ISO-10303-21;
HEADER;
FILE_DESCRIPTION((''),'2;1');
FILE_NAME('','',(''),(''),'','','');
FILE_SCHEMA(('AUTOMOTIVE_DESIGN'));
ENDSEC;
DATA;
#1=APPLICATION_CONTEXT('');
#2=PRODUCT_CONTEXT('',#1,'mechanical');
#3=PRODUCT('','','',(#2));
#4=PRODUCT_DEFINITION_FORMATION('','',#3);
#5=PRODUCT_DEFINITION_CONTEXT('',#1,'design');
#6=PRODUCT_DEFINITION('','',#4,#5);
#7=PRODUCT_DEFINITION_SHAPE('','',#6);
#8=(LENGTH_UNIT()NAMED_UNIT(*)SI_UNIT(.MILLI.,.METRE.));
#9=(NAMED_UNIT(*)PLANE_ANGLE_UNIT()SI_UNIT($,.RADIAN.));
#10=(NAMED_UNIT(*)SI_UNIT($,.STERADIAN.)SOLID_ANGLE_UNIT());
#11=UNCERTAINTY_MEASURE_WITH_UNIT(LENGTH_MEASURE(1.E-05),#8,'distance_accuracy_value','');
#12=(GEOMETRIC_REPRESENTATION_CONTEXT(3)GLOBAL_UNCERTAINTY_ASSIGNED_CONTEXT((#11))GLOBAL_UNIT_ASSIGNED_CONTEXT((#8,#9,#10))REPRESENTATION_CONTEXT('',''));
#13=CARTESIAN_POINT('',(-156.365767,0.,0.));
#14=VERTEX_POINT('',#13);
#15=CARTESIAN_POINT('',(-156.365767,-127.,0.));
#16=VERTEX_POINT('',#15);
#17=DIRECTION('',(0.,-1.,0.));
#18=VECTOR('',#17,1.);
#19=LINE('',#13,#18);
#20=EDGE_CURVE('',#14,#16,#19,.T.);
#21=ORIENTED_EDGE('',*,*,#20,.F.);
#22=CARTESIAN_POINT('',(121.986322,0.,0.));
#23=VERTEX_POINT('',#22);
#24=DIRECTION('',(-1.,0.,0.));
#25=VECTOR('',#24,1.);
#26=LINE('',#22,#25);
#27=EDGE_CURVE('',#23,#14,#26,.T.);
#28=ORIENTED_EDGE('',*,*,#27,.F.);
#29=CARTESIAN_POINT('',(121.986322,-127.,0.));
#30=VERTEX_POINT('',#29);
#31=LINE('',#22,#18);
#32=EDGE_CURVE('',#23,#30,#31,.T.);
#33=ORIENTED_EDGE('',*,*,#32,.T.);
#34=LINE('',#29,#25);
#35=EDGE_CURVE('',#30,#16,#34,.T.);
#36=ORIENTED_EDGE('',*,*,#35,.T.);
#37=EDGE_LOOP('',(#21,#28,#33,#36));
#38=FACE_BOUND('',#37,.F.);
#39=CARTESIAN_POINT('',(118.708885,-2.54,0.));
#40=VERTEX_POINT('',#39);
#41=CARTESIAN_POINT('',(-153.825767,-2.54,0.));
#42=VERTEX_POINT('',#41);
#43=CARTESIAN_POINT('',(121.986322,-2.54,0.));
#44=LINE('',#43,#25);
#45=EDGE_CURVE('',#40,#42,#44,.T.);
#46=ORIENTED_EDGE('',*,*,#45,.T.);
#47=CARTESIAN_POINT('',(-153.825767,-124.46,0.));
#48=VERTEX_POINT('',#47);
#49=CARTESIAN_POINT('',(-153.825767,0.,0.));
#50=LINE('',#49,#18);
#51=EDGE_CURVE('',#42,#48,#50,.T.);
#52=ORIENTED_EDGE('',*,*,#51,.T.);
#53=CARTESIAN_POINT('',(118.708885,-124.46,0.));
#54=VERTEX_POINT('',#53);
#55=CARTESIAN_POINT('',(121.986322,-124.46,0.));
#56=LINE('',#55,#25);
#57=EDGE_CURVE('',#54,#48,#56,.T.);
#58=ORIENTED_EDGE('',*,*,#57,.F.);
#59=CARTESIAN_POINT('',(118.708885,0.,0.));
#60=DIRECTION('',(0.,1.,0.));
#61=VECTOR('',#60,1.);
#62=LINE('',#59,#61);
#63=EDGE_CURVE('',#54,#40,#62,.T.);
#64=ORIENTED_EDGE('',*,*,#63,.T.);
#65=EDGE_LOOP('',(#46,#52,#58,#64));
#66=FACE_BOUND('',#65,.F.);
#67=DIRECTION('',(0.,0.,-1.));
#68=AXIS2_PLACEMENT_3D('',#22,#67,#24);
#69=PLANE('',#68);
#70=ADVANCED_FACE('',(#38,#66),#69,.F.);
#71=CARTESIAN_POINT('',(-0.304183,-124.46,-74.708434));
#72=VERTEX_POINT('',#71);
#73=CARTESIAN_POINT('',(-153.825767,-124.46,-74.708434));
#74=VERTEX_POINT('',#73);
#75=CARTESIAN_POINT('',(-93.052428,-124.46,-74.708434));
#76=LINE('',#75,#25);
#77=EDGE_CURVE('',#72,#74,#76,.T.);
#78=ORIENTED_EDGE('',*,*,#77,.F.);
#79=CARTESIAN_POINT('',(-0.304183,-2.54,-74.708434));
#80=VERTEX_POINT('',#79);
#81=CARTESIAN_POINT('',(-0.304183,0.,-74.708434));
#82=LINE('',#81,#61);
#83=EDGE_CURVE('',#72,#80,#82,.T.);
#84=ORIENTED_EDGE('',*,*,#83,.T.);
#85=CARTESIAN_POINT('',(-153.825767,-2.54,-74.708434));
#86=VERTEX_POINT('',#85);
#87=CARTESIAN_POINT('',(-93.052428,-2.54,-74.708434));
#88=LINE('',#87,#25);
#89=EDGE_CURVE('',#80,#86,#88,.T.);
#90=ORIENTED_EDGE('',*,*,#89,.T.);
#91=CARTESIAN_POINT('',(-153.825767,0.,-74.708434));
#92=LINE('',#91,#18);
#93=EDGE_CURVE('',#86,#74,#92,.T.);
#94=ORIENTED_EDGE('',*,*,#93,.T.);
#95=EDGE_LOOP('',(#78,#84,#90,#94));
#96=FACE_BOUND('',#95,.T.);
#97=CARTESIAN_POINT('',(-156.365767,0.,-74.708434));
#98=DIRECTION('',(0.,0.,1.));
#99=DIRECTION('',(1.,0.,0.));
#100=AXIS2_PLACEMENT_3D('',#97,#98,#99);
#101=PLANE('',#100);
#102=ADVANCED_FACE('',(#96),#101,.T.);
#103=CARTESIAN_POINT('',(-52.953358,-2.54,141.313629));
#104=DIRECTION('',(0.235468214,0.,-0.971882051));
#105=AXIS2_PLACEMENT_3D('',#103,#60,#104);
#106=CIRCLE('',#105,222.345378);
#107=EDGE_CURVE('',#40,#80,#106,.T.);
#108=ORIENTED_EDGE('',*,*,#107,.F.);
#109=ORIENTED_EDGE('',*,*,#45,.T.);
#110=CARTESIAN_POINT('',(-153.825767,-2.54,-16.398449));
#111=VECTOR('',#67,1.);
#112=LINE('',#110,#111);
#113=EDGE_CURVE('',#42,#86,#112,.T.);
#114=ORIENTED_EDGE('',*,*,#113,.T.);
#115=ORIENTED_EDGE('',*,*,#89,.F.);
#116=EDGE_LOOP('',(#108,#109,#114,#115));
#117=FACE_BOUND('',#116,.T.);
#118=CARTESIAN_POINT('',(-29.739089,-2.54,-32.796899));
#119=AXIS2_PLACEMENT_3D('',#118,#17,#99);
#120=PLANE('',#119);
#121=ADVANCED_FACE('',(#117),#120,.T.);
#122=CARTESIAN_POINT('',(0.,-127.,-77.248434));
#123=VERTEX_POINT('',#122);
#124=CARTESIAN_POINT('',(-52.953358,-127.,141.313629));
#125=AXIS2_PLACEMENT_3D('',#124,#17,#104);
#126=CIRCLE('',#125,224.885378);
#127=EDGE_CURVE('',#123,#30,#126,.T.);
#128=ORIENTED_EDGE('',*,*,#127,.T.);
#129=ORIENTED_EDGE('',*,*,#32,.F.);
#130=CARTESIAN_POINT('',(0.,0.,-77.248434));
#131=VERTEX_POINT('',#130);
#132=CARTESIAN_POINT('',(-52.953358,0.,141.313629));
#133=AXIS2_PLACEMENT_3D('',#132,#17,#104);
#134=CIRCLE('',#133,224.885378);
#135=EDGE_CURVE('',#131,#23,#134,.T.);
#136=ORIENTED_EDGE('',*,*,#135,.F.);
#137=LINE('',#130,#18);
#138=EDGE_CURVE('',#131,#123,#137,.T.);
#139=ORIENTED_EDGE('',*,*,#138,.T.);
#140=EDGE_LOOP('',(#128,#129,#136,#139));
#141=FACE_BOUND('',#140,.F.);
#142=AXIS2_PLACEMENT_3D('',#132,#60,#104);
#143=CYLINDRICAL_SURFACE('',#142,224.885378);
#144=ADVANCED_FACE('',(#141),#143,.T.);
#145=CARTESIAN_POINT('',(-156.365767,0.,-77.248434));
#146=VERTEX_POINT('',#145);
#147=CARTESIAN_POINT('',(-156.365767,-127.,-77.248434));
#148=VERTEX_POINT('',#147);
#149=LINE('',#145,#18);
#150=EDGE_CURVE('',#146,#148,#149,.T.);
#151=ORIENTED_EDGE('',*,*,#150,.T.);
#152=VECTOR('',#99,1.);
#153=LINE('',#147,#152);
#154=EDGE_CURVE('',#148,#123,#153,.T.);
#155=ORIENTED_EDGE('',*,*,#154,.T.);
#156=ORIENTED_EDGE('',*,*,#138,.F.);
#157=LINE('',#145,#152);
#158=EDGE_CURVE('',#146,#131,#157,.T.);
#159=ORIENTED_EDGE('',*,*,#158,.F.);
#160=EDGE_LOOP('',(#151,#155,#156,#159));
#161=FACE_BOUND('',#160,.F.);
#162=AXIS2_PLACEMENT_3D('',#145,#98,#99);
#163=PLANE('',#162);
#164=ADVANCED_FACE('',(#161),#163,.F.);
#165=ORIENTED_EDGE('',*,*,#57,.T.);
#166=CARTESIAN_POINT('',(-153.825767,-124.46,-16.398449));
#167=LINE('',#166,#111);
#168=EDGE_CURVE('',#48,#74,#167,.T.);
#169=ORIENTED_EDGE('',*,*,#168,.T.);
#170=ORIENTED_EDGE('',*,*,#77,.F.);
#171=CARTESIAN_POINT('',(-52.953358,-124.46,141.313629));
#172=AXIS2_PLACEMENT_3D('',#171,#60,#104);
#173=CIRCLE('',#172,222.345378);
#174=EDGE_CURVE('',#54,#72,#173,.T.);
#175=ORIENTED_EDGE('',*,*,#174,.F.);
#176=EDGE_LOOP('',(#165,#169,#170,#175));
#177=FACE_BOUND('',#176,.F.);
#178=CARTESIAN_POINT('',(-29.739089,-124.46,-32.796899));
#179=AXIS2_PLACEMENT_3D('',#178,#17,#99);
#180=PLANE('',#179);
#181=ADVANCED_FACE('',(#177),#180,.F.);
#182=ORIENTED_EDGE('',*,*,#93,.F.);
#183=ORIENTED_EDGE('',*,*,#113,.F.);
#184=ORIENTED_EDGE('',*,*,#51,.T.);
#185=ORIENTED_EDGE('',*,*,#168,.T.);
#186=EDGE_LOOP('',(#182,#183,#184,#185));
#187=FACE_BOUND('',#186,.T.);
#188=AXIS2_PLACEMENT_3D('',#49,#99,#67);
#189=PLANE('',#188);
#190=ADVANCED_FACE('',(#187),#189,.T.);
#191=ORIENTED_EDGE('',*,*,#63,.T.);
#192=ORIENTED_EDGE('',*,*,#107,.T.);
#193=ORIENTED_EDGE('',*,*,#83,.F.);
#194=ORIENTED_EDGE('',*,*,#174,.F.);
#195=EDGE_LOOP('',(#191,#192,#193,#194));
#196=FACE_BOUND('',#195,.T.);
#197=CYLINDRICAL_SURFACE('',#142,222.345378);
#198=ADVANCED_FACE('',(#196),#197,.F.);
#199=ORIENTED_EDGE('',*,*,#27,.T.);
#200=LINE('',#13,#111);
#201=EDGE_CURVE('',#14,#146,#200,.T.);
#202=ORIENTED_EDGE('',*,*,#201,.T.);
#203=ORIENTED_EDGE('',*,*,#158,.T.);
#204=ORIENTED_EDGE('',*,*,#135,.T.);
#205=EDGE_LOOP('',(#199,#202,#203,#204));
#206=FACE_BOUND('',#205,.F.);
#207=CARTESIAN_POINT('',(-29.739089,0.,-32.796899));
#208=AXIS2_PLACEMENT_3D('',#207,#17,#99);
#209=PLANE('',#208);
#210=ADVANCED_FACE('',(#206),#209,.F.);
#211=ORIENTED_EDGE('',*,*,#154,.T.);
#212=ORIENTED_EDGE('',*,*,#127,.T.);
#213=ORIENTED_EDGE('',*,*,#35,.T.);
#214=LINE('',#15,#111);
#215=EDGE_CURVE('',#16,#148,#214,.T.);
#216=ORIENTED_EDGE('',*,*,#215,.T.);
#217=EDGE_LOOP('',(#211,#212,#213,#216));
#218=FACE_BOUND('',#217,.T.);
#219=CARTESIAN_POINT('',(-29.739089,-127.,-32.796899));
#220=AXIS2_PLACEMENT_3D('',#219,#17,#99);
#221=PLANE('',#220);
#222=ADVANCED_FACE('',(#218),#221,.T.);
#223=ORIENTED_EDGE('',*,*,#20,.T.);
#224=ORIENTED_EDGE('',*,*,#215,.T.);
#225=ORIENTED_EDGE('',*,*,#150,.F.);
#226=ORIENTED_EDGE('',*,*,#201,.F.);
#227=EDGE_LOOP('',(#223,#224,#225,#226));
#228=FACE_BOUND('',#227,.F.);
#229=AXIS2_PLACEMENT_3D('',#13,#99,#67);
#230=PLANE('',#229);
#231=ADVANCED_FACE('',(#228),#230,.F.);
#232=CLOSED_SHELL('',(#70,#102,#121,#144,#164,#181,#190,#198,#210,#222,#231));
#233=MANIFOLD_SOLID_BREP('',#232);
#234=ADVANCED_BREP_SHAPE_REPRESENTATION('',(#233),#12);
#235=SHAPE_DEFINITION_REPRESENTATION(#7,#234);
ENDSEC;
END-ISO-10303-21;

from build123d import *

# Parameters (mm, degrees)
F1_DEPTH = 127
F2_T     = -2.54


with BuildPart() as f1:
    # F0 (on Front) → F1 (new body)
    with BuildSketch(Plane.XZ):
        with BuildLine():
            Line((121.986322, 0), (0, 0))
            Line((0, 0), (-156.365767, 0))
            Line((-156.365767, 0), (-156.365767, -77.248434))
            Line((-156.365767, -77.248434), (0, -77.248434))
            ThreePointArc((0, -77.248434), (67.361393, -48.680566), (121.986322, 0))
        make_face()
    extrude(amount=F1_DEPTH)

    # F2
    f2_openings = [f1.faces().sort_by_distance(p)[0] for p in [
        (-17.189723, -63.5, 0),
    ]]
    offset(amount=F2_T, openings=f2_openings)


solid = f1.part
